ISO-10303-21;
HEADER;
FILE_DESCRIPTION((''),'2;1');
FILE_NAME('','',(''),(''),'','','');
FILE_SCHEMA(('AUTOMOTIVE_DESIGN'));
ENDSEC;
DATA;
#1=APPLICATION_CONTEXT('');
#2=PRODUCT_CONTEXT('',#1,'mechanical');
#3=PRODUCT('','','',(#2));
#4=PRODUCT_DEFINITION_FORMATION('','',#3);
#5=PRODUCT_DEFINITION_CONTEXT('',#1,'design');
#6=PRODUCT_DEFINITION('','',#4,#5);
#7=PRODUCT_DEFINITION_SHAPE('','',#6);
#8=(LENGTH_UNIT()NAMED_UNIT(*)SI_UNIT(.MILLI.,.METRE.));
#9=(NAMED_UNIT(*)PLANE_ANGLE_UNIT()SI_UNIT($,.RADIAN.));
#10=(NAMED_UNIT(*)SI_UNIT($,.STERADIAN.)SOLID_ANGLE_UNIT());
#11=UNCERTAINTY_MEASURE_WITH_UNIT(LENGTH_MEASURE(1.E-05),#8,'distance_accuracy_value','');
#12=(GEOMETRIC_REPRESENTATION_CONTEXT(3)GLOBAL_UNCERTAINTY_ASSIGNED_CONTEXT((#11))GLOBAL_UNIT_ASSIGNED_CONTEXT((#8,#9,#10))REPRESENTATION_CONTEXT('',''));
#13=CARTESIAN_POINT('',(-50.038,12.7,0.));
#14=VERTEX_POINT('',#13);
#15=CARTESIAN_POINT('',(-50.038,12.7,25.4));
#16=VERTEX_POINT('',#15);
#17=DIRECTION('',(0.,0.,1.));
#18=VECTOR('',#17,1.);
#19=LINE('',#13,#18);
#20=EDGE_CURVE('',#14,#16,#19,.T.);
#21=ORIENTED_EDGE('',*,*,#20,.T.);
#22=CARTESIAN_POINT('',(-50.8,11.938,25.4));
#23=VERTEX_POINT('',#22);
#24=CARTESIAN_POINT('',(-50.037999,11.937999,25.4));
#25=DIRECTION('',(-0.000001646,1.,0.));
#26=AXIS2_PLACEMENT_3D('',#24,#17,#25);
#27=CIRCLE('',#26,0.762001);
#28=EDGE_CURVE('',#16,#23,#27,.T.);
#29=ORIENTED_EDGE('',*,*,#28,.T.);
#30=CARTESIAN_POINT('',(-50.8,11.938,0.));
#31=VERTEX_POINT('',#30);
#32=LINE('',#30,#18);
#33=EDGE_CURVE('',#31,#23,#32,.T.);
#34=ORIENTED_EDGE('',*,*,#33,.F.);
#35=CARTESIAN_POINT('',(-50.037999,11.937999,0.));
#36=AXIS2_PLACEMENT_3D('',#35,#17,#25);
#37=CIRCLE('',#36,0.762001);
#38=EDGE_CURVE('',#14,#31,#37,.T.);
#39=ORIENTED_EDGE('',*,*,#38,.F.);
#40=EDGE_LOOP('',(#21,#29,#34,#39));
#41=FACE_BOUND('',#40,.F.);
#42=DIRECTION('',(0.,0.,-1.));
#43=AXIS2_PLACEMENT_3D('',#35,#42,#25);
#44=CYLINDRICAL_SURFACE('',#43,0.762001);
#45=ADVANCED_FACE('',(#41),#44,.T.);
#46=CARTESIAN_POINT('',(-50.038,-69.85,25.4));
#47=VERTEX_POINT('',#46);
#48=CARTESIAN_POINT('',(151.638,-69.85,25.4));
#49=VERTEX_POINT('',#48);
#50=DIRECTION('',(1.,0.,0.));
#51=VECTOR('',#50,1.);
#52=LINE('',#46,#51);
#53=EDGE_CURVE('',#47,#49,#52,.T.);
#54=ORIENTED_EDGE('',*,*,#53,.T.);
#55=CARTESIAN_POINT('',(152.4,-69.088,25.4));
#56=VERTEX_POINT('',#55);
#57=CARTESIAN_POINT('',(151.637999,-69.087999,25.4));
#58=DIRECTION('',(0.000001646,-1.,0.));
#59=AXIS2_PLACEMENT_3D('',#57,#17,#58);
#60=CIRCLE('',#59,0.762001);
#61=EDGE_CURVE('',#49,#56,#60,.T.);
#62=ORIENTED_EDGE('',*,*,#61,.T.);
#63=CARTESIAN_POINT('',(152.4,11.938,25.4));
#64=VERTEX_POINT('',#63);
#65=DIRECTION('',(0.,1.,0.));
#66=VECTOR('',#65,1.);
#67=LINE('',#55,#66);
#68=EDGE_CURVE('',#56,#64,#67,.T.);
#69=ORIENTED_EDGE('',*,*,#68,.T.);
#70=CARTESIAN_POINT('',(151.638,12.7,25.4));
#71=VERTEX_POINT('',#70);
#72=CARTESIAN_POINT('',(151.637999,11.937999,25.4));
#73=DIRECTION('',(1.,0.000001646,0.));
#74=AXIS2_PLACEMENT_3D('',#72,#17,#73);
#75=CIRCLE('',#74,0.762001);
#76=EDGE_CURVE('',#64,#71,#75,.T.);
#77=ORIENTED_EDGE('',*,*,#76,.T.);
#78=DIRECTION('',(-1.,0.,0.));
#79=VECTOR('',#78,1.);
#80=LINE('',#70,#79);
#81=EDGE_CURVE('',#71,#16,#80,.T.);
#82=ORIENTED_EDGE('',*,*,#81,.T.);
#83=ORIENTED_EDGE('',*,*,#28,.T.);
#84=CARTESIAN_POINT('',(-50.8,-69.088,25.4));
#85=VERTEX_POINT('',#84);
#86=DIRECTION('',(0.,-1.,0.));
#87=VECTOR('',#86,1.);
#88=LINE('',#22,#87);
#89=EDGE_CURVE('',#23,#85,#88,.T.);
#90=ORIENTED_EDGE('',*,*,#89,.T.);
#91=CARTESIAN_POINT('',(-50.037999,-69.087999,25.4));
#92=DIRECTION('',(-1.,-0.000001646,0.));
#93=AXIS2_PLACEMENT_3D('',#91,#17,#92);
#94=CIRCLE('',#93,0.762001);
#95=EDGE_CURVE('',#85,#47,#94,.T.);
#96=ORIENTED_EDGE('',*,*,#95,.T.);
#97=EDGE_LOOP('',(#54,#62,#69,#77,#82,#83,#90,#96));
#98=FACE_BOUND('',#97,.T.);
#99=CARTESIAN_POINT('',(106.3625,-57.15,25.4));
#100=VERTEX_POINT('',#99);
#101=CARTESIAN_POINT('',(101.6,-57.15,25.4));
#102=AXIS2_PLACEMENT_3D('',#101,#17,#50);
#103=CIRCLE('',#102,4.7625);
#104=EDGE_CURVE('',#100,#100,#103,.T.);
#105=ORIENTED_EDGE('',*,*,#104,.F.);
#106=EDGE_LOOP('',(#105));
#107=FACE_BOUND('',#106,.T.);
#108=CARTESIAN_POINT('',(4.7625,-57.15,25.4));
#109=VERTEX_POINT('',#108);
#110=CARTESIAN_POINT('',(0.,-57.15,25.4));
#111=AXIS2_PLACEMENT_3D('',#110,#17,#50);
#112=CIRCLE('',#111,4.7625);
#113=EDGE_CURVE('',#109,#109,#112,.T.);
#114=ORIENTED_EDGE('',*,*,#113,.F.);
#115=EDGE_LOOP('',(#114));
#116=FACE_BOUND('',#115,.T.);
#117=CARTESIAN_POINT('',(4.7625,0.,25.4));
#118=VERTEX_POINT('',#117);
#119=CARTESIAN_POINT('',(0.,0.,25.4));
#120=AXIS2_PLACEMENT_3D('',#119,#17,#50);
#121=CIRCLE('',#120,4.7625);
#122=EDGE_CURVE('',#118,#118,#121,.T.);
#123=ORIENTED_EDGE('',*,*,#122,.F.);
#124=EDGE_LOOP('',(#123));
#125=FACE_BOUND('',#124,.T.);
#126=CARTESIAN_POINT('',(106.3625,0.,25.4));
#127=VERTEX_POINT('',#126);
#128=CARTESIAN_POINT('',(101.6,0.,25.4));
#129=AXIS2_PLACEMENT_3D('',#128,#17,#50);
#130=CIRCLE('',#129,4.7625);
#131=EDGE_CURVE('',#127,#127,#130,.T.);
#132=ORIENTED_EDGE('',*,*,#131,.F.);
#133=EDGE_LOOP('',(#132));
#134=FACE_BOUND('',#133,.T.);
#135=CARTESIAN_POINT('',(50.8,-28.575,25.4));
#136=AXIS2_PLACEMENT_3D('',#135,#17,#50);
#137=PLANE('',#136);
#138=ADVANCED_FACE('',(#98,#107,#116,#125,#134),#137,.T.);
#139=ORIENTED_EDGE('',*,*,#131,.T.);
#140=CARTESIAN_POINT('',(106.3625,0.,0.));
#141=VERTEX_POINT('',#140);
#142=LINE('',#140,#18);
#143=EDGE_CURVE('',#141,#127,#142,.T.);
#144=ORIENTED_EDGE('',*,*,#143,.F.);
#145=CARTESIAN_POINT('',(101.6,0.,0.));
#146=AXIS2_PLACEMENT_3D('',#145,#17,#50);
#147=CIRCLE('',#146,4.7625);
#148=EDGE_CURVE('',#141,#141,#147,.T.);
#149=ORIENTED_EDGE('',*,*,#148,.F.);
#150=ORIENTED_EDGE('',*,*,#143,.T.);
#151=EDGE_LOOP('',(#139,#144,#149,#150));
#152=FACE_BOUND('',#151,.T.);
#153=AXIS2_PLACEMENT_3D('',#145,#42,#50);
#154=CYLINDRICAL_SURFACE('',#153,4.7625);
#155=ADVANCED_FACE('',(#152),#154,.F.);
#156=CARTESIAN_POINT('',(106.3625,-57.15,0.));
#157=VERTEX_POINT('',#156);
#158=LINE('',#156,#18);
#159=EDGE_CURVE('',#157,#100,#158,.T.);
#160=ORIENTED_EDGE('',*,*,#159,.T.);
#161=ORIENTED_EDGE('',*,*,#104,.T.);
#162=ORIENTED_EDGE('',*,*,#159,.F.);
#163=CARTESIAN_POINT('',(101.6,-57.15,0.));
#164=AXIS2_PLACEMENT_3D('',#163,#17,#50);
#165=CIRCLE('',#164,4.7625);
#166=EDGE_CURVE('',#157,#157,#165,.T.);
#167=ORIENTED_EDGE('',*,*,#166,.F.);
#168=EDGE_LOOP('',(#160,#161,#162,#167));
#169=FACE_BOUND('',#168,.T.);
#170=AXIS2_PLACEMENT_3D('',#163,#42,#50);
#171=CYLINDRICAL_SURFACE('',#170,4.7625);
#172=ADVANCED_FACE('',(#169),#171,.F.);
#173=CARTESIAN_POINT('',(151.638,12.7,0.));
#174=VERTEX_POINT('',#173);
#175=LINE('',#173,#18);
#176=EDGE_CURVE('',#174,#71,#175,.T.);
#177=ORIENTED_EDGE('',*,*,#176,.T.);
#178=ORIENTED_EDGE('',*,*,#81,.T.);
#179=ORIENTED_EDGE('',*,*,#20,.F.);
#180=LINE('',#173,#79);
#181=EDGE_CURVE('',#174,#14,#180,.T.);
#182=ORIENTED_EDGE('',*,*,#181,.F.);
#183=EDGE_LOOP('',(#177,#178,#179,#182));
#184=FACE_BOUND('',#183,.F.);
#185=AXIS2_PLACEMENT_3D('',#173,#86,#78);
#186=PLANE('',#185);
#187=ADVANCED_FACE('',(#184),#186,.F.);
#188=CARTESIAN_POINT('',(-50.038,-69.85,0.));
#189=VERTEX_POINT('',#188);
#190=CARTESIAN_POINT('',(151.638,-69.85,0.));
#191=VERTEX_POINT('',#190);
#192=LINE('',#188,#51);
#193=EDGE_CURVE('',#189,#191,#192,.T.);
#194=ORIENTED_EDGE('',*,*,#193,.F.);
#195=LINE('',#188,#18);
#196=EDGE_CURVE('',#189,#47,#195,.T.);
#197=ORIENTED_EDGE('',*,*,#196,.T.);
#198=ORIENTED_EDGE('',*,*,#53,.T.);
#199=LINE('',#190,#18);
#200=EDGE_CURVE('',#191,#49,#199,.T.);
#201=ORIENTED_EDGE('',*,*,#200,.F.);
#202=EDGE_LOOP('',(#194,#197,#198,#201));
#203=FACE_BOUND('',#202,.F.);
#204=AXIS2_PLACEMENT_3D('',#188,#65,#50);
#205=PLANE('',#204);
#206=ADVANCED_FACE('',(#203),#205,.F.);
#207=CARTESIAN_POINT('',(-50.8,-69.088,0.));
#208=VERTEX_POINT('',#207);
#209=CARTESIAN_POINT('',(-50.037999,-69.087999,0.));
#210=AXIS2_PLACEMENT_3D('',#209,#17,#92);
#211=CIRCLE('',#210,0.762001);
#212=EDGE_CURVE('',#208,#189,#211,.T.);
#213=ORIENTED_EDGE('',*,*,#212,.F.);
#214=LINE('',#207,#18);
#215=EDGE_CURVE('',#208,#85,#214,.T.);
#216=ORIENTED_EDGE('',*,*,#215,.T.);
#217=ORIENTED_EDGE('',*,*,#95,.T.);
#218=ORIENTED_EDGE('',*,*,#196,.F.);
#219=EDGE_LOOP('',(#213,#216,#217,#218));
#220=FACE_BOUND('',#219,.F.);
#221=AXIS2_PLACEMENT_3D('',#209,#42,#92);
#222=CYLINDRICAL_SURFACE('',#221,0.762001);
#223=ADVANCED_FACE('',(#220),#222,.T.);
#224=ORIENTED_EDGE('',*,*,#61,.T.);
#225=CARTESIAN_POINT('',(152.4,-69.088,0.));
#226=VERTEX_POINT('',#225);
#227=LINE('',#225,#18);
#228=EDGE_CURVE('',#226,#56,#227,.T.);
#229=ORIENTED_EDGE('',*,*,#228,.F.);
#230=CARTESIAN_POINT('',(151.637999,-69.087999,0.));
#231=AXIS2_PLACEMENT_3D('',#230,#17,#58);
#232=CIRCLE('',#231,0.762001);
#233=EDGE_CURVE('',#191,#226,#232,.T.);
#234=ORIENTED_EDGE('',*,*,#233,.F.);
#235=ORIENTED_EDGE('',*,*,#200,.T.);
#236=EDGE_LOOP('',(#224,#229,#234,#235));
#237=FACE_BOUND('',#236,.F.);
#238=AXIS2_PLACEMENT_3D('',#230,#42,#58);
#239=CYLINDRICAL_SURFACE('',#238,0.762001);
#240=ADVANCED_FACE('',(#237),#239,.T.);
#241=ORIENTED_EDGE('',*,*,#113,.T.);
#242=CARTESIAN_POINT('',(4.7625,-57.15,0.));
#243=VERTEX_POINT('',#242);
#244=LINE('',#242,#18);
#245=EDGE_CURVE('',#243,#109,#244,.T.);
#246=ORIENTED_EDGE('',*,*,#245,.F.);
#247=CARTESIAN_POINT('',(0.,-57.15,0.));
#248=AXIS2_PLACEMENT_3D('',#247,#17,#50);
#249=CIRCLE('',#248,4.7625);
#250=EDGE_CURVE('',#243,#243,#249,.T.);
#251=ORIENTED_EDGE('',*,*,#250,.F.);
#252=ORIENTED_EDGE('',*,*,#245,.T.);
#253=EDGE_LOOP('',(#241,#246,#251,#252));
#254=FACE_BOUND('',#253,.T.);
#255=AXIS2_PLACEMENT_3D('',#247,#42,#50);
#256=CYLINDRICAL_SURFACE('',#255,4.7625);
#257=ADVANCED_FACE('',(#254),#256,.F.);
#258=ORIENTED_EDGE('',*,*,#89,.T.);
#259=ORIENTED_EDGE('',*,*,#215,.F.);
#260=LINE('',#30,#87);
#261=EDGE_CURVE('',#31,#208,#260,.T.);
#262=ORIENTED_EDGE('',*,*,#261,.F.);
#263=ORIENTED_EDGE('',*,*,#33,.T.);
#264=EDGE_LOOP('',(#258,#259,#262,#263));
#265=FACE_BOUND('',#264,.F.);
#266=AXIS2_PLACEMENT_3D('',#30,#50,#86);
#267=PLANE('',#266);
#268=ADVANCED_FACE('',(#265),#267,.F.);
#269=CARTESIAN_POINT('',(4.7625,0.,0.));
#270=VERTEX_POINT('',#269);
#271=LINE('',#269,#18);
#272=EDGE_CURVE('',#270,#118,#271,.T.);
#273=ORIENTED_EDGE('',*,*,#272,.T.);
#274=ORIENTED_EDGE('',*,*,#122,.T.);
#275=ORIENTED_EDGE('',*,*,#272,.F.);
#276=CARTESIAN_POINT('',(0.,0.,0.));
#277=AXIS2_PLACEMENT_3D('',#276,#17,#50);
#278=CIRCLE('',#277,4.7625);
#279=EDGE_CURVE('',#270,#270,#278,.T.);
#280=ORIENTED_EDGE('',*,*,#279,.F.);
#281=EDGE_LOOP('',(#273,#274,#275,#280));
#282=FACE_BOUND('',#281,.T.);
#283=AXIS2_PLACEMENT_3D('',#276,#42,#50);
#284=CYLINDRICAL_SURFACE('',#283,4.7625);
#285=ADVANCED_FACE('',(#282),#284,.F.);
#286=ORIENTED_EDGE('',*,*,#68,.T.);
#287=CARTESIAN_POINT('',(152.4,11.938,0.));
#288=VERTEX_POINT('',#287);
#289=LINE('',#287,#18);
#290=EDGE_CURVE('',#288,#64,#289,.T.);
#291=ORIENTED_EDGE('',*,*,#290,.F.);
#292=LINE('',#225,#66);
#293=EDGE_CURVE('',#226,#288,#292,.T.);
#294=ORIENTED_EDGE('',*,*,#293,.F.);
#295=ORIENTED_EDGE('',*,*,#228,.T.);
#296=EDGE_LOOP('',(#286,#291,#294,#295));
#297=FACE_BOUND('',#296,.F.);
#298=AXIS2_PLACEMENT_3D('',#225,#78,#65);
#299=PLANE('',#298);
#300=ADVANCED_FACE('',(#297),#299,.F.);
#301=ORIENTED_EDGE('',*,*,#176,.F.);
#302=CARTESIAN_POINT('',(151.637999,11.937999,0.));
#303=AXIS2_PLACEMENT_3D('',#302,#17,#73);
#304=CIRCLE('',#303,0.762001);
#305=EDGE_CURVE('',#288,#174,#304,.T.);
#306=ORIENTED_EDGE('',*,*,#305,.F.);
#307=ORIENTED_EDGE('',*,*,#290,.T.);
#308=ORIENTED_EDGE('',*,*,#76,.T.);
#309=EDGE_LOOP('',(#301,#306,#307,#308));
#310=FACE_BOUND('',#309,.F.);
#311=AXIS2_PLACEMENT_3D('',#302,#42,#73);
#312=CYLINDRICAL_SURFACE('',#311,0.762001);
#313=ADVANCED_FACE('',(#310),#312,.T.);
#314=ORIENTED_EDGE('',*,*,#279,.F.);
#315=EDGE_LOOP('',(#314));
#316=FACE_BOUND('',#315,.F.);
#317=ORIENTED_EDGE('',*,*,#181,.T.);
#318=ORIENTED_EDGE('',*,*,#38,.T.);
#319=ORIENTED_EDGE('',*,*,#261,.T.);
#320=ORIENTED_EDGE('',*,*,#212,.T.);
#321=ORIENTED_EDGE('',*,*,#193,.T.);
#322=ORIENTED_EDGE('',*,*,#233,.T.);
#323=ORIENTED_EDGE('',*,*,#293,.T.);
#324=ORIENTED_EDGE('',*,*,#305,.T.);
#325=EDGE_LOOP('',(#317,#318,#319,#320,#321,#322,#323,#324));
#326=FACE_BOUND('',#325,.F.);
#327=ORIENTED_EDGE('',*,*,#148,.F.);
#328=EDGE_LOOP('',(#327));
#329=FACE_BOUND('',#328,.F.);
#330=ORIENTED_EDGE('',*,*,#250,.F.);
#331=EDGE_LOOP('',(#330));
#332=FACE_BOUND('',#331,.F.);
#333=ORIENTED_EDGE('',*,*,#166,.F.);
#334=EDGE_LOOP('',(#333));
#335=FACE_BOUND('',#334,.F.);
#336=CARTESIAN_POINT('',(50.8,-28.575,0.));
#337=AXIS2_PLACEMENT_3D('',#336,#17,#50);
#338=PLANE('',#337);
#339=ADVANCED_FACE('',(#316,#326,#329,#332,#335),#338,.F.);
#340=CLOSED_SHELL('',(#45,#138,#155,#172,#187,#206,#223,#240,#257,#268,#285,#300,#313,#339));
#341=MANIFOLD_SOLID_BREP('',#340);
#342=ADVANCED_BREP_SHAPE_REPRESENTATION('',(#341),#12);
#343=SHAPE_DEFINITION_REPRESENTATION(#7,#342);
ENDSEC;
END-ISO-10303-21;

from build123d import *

# Parameters (mm, degrees)
F0_R     = 4.7625
F1_DEPTH = 25.4


with BuildPart() as f1:
    # F0 (on Top) → F1 (new body)
    with BuildSketch(Plane.XY):
        with BuildLine():
            Line((151.638, 12.7), (-50.038, 12.7))
            ThreePointArc((-50.038, 12.7), (-50.576815, 12.476815), (-50.8, 11.938))
            Line((-50.8, 11.938), (-50.8, -69.088))
            ThreePointArc((-50.8, -69.088), (-50.576815, -69.626815), (-50.038, -69.85))
            Line((-50.038, -69.85), (151.638, -69.85))
            ThreePointArc((151.638, -69.85), (152.176815, -69.626815), (152.4, -69.088))
            Line((152.4, -69.088), (152.4, 11.938))
            ThreePointArc((152.4, 11.938), (152.176815, 12.476815), (151.638, 12.7))
        make_face()
        with Locations((0, -57.15)):
            Circle(F0_R, mode=Mode.SUBTRACT)
        with Locations((101.6, -57.15)):
            Circle(F0_R, mode=Mode.SUBTRACT)
        Circle(F0_R, mode=Mode.SUBTRACT)
        with Locations((101.6, 0)):
            Circle(F0_R, mode=Mode.SUBTRACT)
    extrude(amount=F1_DEPTH)


solid = f1.part
